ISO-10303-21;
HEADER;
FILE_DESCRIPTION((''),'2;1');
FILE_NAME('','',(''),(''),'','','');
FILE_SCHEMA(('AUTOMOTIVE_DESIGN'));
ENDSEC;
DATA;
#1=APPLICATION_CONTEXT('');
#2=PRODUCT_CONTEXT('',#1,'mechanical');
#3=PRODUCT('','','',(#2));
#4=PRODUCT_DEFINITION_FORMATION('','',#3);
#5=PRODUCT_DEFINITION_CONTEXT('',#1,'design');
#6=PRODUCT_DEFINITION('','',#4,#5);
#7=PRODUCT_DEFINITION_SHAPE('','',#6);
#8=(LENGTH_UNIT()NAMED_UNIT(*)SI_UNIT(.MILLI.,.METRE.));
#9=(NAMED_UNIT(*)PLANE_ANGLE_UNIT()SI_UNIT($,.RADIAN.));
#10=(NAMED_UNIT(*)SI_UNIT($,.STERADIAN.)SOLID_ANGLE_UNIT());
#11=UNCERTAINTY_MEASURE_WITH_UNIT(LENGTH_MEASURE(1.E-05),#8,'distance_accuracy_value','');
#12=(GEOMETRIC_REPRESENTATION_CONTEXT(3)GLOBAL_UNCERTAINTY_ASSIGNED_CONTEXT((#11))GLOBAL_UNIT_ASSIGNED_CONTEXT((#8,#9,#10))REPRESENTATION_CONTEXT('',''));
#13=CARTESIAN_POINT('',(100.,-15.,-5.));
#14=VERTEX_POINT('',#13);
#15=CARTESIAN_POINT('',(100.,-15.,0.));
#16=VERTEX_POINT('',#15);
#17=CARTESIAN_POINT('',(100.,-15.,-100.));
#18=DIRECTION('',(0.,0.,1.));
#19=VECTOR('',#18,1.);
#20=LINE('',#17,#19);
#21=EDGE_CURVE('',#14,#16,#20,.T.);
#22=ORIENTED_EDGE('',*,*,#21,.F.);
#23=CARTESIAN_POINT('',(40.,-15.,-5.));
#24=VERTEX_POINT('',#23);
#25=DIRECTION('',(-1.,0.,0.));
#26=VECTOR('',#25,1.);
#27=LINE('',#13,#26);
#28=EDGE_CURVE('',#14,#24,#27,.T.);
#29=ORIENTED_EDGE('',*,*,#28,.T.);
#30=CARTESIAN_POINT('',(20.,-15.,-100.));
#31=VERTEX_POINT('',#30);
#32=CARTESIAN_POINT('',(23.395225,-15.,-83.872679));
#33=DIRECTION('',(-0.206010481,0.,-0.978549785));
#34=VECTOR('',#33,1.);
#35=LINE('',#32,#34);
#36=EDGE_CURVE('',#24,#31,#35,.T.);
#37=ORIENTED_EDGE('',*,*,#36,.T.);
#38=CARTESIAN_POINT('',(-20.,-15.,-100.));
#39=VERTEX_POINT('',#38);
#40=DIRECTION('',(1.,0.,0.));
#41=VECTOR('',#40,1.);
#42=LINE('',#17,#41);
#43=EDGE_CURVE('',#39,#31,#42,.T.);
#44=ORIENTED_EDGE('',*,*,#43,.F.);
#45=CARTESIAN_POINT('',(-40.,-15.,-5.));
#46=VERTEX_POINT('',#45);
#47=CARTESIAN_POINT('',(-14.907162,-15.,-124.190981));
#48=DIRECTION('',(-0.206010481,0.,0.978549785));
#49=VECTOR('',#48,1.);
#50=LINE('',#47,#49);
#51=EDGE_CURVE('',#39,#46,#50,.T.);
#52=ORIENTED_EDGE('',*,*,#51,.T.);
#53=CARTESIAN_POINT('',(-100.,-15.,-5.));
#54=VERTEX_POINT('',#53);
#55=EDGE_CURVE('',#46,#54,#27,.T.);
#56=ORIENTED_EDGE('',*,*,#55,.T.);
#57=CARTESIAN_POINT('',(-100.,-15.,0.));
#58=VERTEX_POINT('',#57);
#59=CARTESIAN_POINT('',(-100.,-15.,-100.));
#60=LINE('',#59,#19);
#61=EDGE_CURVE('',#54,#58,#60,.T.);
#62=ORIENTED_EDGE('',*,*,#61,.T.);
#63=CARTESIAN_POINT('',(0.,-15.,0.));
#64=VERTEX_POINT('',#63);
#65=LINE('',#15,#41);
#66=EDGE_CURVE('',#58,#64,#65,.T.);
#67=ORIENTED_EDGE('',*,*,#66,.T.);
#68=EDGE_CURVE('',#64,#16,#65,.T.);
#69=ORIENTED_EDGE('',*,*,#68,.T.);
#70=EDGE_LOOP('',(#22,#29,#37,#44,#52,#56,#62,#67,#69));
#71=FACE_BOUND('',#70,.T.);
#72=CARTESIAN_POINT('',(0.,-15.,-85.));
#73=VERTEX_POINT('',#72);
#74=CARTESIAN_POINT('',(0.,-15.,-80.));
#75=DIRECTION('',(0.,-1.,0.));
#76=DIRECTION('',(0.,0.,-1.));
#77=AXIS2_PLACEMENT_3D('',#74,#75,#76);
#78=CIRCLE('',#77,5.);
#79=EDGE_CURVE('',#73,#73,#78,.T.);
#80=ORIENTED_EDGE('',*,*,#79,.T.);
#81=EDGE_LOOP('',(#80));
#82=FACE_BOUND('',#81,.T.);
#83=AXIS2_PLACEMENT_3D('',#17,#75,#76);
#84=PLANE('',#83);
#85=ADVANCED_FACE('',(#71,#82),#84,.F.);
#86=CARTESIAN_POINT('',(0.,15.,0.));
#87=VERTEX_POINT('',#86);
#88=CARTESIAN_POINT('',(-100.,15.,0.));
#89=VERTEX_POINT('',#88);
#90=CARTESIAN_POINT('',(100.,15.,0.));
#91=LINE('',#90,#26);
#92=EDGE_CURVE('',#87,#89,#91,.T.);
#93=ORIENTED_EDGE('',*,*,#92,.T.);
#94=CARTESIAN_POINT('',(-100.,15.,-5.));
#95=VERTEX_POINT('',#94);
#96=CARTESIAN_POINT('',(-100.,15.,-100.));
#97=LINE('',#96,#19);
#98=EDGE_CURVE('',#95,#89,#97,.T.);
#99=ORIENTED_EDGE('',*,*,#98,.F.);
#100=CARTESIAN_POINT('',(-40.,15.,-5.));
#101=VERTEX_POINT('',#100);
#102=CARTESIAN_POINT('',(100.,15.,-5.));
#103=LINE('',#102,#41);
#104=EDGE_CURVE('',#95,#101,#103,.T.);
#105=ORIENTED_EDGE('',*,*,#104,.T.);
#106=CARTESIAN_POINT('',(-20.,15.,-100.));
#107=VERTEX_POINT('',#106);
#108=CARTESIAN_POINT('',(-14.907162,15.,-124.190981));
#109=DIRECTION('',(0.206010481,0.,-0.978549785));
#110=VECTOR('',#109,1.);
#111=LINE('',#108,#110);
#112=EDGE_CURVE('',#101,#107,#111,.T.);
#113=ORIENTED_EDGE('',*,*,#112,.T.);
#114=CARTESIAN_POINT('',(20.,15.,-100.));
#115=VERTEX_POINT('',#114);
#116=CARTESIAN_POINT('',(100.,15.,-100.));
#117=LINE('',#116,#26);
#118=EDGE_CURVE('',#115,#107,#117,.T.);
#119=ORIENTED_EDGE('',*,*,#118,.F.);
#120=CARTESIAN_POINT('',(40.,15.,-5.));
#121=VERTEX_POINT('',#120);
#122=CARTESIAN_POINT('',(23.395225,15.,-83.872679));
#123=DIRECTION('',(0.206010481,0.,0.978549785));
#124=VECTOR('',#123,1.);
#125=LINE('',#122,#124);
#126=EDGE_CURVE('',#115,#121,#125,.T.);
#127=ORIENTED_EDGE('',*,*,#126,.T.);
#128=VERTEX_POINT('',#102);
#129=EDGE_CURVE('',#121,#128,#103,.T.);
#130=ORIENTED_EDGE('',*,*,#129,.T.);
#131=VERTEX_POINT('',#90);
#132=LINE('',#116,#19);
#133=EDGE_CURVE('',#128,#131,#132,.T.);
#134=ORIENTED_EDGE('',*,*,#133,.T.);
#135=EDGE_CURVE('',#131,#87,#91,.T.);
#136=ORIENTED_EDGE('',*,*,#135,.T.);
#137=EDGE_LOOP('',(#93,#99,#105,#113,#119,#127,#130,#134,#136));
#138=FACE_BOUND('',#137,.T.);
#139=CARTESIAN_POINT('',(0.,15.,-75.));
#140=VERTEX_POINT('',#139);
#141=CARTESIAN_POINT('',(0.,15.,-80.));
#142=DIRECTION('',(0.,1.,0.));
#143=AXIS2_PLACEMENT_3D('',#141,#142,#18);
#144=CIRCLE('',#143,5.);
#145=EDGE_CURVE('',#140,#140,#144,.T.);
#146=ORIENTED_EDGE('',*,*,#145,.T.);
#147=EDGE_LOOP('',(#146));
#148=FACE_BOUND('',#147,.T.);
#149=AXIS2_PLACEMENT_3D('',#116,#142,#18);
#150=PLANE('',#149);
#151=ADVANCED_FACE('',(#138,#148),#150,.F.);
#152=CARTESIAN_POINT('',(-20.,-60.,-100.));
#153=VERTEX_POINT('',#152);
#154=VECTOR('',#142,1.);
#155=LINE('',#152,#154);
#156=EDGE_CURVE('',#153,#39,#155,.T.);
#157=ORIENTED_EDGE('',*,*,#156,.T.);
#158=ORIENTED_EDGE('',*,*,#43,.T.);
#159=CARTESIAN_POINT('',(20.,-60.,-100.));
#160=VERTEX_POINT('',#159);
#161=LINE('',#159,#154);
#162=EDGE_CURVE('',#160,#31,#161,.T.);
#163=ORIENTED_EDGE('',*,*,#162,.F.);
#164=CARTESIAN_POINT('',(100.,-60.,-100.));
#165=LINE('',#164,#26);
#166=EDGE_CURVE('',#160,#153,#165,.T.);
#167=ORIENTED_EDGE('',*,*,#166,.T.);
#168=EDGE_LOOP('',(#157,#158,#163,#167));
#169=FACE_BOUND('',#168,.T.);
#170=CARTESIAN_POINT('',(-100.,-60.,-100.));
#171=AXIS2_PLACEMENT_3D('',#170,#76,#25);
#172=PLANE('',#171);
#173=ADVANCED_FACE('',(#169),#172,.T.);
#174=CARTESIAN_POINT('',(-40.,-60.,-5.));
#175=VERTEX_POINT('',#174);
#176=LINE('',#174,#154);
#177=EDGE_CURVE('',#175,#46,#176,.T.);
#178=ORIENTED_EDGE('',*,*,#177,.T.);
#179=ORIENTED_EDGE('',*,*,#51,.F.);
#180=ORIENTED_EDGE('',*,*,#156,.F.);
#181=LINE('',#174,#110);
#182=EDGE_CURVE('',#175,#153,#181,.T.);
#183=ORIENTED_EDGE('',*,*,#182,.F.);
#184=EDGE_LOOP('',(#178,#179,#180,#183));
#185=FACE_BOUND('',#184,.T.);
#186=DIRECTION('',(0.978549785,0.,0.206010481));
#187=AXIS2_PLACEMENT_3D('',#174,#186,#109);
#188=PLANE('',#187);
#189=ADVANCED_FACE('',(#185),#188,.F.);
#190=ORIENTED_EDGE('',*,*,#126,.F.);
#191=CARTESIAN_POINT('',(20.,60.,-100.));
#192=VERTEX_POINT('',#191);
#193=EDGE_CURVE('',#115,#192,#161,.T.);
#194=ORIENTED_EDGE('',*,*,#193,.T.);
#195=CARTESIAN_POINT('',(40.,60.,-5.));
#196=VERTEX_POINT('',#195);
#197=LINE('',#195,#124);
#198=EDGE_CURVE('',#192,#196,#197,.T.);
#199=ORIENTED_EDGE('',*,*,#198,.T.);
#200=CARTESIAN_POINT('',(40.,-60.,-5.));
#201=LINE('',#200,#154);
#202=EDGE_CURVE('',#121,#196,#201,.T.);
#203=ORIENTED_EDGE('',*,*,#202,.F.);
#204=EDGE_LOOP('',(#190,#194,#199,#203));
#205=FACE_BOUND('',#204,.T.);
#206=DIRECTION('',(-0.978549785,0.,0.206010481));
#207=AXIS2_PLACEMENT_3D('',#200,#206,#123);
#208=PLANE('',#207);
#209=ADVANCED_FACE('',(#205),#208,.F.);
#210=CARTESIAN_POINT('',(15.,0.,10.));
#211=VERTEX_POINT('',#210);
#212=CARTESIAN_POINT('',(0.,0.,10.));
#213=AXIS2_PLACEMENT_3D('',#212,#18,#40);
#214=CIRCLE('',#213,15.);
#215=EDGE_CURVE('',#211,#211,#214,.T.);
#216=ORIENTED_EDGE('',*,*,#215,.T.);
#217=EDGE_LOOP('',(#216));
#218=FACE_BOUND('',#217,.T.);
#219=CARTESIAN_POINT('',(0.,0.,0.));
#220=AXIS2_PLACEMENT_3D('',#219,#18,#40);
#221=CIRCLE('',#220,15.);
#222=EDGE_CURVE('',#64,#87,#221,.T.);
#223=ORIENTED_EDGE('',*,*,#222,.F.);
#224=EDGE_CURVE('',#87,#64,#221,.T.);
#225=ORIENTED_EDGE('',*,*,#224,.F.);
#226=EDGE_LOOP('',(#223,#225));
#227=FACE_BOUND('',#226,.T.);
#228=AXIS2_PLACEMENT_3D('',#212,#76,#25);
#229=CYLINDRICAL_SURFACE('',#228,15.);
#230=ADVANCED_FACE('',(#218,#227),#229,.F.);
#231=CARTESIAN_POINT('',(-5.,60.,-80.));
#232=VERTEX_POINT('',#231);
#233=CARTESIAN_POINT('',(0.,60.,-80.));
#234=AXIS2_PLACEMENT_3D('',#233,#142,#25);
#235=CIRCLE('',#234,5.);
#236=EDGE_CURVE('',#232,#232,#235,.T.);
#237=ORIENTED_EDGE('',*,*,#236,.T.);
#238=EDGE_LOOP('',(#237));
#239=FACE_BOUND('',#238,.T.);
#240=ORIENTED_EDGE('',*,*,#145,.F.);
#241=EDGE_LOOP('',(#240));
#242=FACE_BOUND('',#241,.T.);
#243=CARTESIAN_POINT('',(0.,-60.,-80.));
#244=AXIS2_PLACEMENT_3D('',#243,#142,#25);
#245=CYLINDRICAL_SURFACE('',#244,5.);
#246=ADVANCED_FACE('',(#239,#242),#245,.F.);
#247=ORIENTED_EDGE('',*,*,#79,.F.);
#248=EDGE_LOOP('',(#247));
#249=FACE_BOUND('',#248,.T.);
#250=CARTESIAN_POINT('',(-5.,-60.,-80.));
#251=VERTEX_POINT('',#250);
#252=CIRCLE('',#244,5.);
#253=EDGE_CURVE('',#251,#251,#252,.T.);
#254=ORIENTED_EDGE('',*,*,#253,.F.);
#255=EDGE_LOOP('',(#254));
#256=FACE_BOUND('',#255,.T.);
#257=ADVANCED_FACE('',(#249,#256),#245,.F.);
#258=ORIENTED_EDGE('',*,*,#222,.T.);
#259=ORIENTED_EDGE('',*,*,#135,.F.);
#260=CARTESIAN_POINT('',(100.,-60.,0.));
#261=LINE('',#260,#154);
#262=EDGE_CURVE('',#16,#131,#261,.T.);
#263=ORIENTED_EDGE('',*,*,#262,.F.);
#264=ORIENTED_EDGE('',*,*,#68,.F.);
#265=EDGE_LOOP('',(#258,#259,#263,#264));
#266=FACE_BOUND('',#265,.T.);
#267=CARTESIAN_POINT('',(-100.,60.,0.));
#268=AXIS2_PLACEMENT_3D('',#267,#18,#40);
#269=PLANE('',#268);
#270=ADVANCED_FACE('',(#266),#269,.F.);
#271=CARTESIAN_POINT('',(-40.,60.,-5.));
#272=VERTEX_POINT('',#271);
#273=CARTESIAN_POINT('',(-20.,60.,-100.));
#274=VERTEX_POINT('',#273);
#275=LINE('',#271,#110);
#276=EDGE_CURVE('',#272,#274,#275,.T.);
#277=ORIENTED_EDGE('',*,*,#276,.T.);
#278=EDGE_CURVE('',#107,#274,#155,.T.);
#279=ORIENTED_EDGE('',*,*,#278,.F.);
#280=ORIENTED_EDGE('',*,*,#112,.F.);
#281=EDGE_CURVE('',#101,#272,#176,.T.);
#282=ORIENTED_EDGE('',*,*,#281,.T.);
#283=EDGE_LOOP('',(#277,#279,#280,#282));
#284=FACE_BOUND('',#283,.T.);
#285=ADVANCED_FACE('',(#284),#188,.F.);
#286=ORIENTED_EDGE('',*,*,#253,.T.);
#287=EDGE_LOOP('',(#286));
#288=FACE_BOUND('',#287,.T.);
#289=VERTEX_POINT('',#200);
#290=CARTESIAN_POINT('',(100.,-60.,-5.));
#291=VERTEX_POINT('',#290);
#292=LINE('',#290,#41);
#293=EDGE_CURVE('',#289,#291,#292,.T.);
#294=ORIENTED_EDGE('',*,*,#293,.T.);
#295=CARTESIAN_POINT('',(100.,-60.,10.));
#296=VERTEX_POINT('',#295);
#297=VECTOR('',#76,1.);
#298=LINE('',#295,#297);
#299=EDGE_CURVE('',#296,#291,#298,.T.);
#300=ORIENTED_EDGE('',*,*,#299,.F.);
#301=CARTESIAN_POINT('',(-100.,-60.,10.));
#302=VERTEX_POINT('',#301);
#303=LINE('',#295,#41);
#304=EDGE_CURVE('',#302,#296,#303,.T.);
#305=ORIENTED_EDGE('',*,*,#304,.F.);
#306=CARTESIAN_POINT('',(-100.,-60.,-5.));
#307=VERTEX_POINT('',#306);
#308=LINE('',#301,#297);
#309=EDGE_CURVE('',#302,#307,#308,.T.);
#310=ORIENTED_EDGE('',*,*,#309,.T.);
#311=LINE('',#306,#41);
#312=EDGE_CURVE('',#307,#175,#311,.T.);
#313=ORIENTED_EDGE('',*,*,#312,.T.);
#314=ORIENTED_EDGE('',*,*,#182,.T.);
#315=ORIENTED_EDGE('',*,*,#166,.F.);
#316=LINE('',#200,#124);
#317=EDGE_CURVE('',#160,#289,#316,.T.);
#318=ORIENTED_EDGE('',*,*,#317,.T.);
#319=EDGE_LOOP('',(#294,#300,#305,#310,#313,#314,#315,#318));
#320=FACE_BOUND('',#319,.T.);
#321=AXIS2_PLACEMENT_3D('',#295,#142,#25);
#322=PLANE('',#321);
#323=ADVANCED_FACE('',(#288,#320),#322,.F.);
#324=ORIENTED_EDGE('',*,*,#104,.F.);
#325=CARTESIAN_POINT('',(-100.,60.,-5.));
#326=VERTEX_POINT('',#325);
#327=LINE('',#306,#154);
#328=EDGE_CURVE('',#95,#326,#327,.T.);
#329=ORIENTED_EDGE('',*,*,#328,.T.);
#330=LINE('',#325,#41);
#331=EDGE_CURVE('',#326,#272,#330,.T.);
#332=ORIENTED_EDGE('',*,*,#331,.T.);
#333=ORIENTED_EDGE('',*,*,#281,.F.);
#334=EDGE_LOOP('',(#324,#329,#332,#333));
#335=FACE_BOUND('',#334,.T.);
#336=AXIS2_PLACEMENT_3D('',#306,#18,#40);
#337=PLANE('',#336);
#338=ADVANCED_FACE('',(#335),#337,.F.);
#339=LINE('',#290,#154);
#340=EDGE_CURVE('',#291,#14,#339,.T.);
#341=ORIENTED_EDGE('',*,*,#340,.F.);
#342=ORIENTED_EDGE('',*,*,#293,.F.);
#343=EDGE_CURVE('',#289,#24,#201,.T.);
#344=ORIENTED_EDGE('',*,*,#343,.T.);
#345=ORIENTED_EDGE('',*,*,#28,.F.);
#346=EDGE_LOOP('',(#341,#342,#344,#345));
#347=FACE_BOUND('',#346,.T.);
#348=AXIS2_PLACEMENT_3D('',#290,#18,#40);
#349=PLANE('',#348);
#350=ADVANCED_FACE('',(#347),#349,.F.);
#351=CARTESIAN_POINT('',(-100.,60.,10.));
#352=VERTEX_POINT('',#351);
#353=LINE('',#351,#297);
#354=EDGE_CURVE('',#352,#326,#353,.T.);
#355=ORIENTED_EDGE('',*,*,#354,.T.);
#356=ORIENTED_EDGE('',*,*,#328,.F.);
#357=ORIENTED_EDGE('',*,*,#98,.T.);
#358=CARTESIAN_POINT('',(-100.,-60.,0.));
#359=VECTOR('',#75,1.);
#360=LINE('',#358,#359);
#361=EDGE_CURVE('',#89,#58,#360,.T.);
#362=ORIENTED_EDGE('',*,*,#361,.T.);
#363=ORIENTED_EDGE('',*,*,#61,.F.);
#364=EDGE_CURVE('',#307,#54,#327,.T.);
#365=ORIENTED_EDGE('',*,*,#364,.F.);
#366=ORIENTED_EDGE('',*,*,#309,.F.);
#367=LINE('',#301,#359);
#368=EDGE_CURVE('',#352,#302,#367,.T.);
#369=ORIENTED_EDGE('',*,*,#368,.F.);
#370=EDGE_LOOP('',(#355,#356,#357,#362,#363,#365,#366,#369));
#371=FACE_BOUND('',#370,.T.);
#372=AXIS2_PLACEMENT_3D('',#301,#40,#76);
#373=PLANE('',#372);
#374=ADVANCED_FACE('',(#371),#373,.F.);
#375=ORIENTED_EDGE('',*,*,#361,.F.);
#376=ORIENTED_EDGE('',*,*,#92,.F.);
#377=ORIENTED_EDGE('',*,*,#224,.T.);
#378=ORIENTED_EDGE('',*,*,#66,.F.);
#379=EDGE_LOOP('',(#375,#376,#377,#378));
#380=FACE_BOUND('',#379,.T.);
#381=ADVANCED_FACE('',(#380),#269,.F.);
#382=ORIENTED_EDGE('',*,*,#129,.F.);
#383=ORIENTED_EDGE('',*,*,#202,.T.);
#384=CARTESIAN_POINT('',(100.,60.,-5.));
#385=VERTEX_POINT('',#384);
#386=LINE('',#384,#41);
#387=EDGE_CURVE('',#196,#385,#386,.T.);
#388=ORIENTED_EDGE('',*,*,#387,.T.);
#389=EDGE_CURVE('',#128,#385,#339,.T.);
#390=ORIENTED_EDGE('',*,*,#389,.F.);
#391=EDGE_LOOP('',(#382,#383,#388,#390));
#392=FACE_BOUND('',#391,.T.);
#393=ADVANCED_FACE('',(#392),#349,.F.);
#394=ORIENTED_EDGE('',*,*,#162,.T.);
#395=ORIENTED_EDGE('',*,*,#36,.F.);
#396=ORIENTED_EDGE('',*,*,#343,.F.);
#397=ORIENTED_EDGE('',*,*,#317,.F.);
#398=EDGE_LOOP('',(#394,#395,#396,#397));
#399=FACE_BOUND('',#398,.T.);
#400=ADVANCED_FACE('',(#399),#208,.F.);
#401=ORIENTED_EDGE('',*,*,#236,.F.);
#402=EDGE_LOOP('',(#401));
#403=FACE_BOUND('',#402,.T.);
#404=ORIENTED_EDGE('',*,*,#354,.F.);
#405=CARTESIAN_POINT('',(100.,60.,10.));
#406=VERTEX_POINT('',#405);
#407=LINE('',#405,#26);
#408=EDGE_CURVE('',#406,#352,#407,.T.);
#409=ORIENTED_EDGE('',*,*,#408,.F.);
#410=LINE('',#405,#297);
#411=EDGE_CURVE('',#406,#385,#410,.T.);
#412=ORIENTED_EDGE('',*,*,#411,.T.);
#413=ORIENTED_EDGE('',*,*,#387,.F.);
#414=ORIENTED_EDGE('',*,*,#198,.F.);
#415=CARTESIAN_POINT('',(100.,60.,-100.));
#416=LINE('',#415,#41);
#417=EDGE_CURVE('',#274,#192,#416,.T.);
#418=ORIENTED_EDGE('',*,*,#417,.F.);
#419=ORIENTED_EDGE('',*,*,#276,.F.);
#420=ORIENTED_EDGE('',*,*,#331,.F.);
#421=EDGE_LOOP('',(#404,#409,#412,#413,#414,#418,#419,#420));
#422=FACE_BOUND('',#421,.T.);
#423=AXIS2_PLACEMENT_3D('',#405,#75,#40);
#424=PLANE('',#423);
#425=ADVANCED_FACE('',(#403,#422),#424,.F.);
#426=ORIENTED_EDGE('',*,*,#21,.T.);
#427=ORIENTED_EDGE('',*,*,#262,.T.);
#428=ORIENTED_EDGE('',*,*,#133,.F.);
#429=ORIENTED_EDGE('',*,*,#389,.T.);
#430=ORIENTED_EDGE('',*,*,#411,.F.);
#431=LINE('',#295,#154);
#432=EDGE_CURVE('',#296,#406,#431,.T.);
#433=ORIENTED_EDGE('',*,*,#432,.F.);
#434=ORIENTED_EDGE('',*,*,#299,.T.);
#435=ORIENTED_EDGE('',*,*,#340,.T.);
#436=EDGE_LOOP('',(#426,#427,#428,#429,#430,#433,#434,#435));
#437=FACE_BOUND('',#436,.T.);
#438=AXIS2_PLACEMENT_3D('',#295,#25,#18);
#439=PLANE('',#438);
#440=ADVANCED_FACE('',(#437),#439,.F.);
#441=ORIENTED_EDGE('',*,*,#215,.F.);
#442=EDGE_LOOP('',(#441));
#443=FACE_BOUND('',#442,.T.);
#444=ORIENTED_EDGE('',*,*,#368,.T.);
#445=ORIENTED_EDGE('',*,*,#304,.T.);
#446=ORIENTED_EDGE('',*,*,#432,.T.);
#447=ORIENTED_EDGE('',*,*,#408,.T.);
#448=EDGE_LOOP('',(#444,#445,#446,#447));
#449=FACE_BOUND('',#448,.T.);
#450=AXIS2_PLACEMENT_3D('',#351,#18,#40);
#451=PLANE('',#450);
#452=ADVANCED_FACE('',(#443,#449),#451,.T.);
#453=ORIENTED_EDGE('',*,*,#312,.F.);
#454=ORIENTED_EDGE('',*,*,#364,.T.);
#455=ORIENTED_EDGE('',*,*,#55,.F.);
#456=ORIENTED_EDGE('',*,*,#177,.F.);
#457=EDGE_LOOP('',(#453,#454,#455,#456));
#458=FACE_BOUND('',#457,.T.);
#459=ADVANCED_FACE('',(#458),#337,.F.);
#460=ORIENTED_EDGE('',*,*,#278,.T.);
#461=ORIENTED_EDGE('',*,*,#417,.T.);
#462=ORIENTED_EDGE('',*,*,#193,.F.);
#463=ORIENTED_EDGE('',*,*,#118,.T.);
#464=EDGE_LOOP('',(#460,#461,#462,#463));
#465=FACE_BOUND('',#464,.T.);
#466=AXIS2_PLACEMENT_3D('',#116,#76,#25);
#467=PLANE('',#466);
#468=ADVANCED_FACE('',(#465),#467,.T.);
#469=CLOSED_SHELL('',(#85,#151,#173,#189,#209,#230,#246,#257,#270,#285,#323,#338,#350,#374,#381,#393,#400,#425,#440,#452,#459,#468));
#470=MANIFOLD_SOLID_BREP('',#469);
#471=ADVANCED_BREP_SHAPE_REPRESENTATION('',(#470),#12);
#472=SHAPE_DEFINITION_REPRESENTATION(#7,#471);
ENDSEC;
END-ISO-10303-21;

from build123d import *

# Parameters (mm, degrees)
SKETCH_1_W          = 200
SKETCH_1_H          = 120
SKETCH_1_R          = 15
EXTRUDE_1_DEPTH     = 10
SKETCH_2_W          = 200
SKETCH_2_H          = 45
EXTRUDE_2_DEPTH     = 100
SKETCH_3_R          = 5
CUT_EXTRUDE_1_DEPTH = 186.47236991


with BuildPart() as part:
    # 草图1 → 凸台-拉伸1 (new body)
    with BuildSketch(Plane.XY):
        Rectangle(SKETCH_1_W, SKETCH_1_H)
        Circle(SKETCH_1_R, mode=Mode.SUBTRACT)
    extrude(amount=EXTRUDE_1_DEPTH)

    # 草图2 → 凸台-拉伸2 (add)
    with BuildSketch(Plane(origin=(0, 0, 0), x_dir=(-1, 0, 0), z_dir=(0, 0, -1))):
        with Locations((0, 37.5)):
            Rectangle(SKETCH_2_W, SKETCH_2_H)
        with Locations((0, -37.5)):
            Rectangle(SKETCH_2_W, SKETCH_2_H)
    extrude(amount=EXTRUDE_2_DEPTH)

    # 草图3 → 切除-拉伸1 (cut, through all)
    with BuildSketch(Plane(origin=(0, 60, 0), x_dir=(1, 0, 0), z_dir=(0, 1, 0))):
        with Locations(Location((0, 80, 0), (0, 0, 180))):
            Circle(SKETCH_3_R)
        Polygon((-100, 5), (-100, 100), (-20, 100), (-40, 5), align=None)
        Polygon((100, 100), (20, 100), (40, 5), (100, 5), align=None)
    extrude(amount=-CUT_EXTRUDE_1_DEPTH, mode=Mode.SUBTRACT)


solid = part.part
